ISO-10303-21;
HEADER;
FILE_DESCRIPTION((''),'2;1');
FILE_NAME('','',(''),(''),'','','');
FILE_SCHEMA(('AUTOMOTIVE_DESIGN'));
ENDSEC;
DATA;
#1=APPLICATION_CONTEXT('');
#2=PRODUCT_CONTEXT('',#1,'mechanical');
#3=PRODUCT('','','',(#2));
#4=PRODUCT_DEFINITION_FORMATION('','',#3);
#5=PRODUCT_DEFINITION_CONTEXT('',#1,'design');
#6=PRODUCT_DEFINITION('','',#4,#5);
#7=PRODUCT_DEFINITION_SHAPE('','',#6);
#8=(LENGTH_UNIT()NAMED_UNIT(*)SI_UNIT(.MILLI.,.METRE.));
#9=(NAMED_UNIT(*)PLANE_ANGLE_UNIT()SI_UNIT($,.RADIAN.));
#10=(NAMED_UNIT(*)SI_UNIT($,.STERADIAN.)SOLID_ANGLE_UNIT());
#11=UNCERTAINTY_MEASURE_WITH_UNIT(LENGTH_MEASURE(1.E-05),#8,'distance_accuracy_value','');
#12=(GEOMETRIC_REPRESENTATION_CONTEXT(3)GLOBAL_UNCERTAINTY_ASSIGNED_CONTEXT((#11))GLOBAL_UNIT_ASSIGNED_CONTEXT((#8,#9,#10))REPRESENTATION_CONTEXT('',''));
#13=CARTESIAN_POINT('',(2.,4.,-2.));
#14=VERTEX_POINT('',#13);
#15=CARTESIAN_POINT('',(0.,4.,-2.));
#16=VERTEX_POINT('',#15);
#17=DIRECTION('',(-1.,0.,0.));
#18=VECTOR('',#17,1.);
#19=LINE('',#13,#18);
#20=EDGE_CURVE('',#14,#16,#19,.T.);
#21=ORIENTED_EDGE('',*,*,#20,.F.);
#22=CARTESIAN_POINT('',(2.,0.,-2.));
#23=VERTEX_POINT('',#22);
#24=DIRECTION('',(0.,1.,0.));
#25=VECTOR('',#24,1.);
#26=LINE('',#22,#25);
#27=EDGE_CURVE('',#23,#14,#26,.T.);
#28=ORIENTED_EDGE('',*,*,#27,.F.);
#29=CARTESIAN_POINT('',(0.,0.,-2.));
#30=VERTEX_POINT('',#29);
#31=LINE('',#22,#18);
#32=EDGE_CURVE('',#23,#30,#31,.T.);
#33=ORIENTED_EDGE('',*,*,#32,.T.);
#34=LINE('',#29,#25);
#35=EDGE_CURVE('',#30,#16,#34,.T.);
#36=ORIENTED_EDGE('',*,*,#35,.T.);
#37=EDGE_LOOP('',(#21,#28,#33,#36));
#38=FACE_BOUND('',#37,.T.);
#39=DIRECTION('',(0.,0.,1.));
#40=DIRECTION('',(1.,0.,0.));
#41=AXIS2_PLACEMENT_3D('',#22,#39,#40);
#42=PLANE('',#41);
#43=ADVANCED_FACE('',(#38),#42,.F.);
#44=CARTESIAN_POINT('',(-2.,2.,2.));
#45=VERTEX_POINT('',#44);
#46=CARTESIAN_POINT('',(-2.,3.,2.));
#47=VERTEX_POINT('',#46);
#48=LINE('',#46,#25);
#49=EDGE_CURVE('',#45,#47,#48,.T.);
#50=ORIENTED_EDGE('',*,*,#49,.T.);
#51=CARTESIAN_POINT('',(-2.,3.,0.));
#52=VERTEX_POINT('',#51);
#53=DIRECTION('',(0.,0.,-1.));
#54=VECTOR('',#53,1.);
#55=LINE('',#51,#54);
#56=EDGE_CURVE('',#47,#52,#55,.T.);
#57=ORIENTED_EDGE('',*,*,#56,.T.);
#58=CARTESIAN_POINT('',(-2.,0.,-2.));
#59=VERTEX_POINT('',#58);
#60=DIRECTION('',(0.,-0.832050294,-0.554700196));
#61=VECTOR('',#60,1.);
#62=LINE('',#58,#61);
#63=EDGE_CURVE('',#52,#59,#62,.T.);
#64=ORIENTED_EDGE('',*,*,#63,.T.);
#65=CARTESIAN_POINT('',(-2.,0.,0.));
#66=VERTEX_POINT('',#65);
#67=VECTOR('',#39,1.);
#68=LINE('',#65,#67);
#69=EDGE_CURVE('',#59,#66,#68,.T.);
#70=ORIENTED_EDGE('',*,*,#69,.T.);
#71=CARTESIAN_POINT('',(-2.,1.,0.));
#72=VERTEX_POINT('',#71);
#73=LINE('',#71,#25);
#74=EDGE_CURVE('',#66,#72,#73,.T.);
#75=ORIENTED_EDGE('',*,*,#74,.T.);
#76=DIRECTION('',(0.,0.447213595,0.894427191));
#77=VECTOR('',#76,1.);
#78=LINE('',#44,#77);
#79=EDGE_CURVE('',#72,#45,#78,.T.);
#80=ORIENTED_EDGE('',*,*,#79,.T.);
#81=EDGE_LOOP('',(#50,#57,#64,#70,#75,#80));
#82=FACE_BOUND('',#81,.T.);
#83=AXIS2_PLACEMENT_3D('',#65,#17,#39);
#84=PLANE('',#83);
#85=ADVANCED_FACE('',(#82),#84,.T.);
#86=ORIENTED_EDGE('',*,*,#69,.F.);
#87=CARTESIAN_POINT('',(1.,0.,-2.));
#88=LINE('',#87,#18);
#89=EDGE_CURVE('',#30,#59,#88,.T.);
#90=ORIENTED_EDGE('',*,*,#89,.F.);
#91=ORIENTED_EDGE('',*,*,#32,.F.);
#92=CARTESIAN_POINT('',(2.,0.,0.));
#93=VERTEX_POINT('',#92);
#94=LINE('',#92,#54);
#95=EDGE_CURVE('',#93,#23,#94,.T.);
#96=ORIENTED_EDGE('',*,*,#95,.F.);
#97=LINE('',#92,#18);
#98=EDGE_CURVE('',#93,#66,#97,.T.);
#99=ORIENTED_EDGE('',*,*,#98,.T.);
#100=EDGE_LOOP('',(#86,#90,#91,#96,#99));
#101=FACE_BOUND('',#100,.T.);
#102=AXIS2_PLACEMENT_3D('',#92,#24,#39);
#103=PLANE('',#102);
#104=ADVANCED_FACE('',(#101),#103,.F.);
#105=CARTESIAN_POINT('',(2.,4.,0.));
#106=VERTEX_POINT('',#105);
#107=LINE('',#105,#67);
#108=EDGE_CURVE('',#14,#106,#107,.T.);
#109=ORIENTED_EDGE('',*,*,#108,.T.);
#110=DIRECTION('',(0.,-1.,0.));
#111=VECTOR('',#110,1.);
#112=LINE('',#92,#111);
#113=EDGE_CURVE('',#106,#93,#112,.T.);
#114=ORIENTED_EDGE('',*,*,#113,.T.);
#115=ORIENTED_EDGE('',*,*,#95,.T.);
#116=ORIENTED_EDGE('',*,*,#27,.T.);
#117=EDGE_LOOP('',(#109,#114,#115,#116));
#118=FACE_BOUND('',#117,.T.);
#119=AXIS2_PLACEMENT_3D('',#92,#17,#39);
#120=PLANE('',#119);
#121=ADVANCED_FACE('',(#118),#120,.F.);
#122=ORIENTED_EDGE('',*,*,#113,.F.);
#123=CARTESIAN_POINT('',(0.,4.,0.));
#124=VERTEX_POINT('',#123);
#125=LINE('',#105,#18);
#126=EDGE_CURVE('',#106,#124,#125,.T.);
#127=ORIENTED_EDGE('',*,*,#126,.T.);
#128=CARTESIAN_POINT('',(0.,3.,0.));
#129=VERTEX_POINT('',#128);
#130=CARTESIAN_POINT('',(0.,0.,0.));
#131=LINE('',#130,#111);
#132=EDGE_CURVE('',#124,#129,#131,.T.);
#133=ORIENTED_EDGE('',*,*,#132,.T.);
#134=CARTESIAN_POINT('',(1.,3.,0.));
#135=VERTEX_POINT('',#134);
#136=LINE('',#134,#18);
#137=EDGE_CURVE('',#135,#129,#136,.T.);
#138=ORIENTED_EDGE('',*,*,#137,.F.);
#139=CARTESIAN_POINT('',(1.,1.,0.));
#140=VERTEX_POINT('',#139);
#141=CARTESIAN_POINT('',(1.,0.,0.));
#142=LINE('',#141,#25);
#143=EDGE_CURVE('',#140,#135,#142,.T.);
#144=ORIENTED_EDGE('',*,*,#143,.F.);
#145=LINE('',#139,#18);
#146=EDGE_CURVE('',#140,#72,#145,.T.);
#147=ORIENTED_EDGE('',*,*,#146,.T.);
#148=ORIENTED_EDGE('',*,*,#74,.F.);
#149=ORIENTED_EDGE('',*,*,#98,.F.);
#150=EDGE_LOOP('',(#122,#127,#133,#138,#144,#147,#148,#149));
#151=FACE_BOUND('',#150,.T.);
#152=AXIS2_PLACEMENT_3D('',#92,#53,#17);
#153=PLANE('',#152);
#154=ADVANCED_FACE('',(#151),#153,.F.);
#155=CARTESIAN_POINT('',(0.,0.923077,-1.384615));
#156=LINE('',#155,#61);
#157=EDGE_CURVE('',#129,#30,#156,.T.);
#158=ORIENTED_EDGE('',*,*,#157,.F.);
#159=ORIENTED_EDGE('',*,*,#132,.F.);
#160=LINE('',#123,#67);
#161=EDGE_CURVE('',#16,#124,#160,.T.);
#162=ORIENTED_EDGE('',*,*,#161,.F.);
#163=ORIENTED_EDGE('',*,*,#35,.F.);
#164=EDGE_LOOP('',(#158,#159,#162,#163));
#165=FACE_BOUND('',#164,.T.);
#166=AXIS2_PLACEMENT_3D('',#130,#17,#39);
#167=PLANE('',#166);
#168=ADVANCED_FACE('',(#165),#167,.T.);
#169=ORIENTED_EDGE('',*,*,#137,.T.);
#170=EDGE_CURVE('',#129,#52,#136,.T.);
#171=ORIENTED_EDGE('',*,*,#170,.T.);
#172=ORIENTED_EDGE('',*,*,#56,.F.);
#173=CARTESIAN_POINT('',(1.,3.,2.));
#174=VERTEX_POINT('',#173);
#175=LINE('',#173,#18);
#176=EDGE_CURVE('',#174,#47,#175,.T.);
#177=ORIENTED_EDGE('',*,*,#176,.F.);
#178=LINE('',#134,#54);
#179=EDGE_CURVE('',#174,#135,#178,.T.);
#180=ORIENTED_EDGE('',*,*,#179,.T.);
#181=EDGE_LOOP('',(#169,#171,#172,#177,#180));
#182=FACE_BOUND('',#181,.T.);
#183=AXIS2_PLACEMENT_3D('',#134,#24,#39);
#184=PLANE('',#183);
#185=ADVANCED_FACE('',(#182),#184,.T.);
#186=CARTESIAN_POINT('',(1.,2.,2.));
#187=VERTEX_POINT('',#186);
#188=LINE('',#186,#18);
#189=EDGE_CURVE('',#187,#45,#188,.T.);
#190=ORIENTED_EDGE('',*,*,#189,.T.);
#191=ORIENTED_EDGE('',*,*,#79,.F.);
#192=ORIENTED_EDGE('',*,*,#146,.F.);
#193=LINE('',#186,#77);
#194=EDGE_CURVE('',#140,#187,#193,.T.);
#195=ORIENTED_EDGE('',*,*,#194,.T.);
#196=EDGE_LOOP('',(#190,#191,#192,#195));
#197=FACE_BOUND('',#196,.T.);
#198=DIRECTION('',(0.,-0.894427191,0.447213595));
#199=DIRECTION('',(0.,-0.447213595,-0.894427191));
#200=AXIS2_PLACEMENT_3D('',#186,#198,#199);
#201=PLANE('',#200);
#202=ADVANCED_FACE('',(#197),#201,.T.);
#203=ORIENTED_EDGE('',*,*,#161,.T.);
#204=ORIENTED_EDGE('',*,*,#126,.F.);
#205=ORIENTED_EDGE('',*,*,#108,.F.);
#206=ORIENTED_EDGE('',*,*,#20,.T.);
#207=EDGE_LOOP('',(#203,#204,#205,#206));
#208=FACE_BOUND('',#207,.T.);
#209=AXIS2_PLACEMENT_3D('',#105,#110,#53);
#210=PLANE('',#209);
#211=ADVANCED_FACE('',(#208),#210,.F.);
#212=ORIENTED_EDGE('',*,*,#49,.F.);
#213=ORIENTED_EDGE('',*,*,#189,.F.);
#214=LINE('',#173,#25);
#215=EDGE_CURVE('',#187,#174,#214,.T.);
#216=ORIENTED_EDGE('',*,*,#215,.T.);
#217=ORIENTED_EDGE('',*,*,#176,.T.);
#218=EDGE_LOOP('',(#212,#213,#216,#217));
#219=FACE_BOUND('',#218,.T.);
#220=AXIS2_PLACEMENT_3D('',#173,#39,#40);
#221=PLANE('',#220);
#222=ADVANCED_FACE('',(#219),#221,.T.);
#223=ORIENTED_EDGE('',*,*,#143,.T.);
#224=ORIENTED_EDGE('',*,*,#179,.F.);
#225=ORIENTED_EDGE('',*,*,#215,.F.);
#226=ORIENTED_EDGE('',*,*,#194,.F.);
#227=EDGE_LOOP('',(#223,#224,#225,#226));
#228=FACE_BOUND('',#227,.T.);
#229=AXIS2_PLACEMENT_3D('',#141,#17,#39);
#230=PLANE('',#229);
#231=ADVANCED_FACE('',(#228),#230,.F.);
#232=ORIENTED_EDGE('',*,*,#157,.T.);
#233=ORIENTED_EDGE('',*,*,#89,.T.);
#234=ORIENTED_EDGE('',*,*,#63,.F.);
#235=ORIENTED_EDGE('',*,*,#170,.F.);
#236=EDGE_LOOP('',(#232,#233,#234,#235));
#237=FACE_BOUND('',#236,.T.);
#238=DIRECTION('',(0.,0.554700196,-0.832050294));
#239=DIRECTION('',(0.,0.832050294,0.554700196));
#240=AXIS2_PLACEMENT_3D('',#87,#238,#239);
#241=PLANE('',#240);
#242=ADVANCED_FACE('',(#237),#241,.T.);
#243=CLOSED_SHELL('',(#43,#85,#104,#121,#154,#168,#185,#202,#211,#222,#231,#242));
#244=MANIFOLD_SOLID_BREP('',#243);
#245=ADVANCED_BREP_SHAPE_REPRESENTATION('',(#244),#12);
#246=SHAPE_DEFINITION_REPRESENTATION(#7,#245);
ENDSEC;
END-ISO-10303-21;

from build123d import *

# Parameters (mm, degrees)
SKETCH1_W                = 2
SKETCH1_H                = 4
BOSS_EXTRUDE1_DEPTH      = 2
BOSS_EXTRUDE2_DEPTH      = 2
BOSS_EXTRUDE2_DEPTH_BACK = 1


with BuildPart() as part:
    # Sketch1 → Boss-Extrude1 (new body)
    with BuildSketch(Plane(origin=(0, 0, 0), x_dir=(0, 0, -1), z_dir=(1, 0, 0))):
        with Locations((1, 2)):
            Rectangle(SKETCH1_W, SKETCH1_H)
    extrude(amount=BOSS_EXTRUDE1_DEPTH)

    # Sketch2 → Boss-Extrude2 (add, two sides)
    with BuildSketch(Plane.ZY) as boss_extrude2_sk:
        Polygon((-2, 0), (0, 3), (2, 3), (2, 2), (0, 1), (0, 0), align=None)
    extrude(amount=BOSS_EXTRUDE2_DEPTH)
    extrude(boss_extrude2_sk.sketch, amount=-BOSS_EXTRUDE2_DEPTH_BACK)


solid = part.part
